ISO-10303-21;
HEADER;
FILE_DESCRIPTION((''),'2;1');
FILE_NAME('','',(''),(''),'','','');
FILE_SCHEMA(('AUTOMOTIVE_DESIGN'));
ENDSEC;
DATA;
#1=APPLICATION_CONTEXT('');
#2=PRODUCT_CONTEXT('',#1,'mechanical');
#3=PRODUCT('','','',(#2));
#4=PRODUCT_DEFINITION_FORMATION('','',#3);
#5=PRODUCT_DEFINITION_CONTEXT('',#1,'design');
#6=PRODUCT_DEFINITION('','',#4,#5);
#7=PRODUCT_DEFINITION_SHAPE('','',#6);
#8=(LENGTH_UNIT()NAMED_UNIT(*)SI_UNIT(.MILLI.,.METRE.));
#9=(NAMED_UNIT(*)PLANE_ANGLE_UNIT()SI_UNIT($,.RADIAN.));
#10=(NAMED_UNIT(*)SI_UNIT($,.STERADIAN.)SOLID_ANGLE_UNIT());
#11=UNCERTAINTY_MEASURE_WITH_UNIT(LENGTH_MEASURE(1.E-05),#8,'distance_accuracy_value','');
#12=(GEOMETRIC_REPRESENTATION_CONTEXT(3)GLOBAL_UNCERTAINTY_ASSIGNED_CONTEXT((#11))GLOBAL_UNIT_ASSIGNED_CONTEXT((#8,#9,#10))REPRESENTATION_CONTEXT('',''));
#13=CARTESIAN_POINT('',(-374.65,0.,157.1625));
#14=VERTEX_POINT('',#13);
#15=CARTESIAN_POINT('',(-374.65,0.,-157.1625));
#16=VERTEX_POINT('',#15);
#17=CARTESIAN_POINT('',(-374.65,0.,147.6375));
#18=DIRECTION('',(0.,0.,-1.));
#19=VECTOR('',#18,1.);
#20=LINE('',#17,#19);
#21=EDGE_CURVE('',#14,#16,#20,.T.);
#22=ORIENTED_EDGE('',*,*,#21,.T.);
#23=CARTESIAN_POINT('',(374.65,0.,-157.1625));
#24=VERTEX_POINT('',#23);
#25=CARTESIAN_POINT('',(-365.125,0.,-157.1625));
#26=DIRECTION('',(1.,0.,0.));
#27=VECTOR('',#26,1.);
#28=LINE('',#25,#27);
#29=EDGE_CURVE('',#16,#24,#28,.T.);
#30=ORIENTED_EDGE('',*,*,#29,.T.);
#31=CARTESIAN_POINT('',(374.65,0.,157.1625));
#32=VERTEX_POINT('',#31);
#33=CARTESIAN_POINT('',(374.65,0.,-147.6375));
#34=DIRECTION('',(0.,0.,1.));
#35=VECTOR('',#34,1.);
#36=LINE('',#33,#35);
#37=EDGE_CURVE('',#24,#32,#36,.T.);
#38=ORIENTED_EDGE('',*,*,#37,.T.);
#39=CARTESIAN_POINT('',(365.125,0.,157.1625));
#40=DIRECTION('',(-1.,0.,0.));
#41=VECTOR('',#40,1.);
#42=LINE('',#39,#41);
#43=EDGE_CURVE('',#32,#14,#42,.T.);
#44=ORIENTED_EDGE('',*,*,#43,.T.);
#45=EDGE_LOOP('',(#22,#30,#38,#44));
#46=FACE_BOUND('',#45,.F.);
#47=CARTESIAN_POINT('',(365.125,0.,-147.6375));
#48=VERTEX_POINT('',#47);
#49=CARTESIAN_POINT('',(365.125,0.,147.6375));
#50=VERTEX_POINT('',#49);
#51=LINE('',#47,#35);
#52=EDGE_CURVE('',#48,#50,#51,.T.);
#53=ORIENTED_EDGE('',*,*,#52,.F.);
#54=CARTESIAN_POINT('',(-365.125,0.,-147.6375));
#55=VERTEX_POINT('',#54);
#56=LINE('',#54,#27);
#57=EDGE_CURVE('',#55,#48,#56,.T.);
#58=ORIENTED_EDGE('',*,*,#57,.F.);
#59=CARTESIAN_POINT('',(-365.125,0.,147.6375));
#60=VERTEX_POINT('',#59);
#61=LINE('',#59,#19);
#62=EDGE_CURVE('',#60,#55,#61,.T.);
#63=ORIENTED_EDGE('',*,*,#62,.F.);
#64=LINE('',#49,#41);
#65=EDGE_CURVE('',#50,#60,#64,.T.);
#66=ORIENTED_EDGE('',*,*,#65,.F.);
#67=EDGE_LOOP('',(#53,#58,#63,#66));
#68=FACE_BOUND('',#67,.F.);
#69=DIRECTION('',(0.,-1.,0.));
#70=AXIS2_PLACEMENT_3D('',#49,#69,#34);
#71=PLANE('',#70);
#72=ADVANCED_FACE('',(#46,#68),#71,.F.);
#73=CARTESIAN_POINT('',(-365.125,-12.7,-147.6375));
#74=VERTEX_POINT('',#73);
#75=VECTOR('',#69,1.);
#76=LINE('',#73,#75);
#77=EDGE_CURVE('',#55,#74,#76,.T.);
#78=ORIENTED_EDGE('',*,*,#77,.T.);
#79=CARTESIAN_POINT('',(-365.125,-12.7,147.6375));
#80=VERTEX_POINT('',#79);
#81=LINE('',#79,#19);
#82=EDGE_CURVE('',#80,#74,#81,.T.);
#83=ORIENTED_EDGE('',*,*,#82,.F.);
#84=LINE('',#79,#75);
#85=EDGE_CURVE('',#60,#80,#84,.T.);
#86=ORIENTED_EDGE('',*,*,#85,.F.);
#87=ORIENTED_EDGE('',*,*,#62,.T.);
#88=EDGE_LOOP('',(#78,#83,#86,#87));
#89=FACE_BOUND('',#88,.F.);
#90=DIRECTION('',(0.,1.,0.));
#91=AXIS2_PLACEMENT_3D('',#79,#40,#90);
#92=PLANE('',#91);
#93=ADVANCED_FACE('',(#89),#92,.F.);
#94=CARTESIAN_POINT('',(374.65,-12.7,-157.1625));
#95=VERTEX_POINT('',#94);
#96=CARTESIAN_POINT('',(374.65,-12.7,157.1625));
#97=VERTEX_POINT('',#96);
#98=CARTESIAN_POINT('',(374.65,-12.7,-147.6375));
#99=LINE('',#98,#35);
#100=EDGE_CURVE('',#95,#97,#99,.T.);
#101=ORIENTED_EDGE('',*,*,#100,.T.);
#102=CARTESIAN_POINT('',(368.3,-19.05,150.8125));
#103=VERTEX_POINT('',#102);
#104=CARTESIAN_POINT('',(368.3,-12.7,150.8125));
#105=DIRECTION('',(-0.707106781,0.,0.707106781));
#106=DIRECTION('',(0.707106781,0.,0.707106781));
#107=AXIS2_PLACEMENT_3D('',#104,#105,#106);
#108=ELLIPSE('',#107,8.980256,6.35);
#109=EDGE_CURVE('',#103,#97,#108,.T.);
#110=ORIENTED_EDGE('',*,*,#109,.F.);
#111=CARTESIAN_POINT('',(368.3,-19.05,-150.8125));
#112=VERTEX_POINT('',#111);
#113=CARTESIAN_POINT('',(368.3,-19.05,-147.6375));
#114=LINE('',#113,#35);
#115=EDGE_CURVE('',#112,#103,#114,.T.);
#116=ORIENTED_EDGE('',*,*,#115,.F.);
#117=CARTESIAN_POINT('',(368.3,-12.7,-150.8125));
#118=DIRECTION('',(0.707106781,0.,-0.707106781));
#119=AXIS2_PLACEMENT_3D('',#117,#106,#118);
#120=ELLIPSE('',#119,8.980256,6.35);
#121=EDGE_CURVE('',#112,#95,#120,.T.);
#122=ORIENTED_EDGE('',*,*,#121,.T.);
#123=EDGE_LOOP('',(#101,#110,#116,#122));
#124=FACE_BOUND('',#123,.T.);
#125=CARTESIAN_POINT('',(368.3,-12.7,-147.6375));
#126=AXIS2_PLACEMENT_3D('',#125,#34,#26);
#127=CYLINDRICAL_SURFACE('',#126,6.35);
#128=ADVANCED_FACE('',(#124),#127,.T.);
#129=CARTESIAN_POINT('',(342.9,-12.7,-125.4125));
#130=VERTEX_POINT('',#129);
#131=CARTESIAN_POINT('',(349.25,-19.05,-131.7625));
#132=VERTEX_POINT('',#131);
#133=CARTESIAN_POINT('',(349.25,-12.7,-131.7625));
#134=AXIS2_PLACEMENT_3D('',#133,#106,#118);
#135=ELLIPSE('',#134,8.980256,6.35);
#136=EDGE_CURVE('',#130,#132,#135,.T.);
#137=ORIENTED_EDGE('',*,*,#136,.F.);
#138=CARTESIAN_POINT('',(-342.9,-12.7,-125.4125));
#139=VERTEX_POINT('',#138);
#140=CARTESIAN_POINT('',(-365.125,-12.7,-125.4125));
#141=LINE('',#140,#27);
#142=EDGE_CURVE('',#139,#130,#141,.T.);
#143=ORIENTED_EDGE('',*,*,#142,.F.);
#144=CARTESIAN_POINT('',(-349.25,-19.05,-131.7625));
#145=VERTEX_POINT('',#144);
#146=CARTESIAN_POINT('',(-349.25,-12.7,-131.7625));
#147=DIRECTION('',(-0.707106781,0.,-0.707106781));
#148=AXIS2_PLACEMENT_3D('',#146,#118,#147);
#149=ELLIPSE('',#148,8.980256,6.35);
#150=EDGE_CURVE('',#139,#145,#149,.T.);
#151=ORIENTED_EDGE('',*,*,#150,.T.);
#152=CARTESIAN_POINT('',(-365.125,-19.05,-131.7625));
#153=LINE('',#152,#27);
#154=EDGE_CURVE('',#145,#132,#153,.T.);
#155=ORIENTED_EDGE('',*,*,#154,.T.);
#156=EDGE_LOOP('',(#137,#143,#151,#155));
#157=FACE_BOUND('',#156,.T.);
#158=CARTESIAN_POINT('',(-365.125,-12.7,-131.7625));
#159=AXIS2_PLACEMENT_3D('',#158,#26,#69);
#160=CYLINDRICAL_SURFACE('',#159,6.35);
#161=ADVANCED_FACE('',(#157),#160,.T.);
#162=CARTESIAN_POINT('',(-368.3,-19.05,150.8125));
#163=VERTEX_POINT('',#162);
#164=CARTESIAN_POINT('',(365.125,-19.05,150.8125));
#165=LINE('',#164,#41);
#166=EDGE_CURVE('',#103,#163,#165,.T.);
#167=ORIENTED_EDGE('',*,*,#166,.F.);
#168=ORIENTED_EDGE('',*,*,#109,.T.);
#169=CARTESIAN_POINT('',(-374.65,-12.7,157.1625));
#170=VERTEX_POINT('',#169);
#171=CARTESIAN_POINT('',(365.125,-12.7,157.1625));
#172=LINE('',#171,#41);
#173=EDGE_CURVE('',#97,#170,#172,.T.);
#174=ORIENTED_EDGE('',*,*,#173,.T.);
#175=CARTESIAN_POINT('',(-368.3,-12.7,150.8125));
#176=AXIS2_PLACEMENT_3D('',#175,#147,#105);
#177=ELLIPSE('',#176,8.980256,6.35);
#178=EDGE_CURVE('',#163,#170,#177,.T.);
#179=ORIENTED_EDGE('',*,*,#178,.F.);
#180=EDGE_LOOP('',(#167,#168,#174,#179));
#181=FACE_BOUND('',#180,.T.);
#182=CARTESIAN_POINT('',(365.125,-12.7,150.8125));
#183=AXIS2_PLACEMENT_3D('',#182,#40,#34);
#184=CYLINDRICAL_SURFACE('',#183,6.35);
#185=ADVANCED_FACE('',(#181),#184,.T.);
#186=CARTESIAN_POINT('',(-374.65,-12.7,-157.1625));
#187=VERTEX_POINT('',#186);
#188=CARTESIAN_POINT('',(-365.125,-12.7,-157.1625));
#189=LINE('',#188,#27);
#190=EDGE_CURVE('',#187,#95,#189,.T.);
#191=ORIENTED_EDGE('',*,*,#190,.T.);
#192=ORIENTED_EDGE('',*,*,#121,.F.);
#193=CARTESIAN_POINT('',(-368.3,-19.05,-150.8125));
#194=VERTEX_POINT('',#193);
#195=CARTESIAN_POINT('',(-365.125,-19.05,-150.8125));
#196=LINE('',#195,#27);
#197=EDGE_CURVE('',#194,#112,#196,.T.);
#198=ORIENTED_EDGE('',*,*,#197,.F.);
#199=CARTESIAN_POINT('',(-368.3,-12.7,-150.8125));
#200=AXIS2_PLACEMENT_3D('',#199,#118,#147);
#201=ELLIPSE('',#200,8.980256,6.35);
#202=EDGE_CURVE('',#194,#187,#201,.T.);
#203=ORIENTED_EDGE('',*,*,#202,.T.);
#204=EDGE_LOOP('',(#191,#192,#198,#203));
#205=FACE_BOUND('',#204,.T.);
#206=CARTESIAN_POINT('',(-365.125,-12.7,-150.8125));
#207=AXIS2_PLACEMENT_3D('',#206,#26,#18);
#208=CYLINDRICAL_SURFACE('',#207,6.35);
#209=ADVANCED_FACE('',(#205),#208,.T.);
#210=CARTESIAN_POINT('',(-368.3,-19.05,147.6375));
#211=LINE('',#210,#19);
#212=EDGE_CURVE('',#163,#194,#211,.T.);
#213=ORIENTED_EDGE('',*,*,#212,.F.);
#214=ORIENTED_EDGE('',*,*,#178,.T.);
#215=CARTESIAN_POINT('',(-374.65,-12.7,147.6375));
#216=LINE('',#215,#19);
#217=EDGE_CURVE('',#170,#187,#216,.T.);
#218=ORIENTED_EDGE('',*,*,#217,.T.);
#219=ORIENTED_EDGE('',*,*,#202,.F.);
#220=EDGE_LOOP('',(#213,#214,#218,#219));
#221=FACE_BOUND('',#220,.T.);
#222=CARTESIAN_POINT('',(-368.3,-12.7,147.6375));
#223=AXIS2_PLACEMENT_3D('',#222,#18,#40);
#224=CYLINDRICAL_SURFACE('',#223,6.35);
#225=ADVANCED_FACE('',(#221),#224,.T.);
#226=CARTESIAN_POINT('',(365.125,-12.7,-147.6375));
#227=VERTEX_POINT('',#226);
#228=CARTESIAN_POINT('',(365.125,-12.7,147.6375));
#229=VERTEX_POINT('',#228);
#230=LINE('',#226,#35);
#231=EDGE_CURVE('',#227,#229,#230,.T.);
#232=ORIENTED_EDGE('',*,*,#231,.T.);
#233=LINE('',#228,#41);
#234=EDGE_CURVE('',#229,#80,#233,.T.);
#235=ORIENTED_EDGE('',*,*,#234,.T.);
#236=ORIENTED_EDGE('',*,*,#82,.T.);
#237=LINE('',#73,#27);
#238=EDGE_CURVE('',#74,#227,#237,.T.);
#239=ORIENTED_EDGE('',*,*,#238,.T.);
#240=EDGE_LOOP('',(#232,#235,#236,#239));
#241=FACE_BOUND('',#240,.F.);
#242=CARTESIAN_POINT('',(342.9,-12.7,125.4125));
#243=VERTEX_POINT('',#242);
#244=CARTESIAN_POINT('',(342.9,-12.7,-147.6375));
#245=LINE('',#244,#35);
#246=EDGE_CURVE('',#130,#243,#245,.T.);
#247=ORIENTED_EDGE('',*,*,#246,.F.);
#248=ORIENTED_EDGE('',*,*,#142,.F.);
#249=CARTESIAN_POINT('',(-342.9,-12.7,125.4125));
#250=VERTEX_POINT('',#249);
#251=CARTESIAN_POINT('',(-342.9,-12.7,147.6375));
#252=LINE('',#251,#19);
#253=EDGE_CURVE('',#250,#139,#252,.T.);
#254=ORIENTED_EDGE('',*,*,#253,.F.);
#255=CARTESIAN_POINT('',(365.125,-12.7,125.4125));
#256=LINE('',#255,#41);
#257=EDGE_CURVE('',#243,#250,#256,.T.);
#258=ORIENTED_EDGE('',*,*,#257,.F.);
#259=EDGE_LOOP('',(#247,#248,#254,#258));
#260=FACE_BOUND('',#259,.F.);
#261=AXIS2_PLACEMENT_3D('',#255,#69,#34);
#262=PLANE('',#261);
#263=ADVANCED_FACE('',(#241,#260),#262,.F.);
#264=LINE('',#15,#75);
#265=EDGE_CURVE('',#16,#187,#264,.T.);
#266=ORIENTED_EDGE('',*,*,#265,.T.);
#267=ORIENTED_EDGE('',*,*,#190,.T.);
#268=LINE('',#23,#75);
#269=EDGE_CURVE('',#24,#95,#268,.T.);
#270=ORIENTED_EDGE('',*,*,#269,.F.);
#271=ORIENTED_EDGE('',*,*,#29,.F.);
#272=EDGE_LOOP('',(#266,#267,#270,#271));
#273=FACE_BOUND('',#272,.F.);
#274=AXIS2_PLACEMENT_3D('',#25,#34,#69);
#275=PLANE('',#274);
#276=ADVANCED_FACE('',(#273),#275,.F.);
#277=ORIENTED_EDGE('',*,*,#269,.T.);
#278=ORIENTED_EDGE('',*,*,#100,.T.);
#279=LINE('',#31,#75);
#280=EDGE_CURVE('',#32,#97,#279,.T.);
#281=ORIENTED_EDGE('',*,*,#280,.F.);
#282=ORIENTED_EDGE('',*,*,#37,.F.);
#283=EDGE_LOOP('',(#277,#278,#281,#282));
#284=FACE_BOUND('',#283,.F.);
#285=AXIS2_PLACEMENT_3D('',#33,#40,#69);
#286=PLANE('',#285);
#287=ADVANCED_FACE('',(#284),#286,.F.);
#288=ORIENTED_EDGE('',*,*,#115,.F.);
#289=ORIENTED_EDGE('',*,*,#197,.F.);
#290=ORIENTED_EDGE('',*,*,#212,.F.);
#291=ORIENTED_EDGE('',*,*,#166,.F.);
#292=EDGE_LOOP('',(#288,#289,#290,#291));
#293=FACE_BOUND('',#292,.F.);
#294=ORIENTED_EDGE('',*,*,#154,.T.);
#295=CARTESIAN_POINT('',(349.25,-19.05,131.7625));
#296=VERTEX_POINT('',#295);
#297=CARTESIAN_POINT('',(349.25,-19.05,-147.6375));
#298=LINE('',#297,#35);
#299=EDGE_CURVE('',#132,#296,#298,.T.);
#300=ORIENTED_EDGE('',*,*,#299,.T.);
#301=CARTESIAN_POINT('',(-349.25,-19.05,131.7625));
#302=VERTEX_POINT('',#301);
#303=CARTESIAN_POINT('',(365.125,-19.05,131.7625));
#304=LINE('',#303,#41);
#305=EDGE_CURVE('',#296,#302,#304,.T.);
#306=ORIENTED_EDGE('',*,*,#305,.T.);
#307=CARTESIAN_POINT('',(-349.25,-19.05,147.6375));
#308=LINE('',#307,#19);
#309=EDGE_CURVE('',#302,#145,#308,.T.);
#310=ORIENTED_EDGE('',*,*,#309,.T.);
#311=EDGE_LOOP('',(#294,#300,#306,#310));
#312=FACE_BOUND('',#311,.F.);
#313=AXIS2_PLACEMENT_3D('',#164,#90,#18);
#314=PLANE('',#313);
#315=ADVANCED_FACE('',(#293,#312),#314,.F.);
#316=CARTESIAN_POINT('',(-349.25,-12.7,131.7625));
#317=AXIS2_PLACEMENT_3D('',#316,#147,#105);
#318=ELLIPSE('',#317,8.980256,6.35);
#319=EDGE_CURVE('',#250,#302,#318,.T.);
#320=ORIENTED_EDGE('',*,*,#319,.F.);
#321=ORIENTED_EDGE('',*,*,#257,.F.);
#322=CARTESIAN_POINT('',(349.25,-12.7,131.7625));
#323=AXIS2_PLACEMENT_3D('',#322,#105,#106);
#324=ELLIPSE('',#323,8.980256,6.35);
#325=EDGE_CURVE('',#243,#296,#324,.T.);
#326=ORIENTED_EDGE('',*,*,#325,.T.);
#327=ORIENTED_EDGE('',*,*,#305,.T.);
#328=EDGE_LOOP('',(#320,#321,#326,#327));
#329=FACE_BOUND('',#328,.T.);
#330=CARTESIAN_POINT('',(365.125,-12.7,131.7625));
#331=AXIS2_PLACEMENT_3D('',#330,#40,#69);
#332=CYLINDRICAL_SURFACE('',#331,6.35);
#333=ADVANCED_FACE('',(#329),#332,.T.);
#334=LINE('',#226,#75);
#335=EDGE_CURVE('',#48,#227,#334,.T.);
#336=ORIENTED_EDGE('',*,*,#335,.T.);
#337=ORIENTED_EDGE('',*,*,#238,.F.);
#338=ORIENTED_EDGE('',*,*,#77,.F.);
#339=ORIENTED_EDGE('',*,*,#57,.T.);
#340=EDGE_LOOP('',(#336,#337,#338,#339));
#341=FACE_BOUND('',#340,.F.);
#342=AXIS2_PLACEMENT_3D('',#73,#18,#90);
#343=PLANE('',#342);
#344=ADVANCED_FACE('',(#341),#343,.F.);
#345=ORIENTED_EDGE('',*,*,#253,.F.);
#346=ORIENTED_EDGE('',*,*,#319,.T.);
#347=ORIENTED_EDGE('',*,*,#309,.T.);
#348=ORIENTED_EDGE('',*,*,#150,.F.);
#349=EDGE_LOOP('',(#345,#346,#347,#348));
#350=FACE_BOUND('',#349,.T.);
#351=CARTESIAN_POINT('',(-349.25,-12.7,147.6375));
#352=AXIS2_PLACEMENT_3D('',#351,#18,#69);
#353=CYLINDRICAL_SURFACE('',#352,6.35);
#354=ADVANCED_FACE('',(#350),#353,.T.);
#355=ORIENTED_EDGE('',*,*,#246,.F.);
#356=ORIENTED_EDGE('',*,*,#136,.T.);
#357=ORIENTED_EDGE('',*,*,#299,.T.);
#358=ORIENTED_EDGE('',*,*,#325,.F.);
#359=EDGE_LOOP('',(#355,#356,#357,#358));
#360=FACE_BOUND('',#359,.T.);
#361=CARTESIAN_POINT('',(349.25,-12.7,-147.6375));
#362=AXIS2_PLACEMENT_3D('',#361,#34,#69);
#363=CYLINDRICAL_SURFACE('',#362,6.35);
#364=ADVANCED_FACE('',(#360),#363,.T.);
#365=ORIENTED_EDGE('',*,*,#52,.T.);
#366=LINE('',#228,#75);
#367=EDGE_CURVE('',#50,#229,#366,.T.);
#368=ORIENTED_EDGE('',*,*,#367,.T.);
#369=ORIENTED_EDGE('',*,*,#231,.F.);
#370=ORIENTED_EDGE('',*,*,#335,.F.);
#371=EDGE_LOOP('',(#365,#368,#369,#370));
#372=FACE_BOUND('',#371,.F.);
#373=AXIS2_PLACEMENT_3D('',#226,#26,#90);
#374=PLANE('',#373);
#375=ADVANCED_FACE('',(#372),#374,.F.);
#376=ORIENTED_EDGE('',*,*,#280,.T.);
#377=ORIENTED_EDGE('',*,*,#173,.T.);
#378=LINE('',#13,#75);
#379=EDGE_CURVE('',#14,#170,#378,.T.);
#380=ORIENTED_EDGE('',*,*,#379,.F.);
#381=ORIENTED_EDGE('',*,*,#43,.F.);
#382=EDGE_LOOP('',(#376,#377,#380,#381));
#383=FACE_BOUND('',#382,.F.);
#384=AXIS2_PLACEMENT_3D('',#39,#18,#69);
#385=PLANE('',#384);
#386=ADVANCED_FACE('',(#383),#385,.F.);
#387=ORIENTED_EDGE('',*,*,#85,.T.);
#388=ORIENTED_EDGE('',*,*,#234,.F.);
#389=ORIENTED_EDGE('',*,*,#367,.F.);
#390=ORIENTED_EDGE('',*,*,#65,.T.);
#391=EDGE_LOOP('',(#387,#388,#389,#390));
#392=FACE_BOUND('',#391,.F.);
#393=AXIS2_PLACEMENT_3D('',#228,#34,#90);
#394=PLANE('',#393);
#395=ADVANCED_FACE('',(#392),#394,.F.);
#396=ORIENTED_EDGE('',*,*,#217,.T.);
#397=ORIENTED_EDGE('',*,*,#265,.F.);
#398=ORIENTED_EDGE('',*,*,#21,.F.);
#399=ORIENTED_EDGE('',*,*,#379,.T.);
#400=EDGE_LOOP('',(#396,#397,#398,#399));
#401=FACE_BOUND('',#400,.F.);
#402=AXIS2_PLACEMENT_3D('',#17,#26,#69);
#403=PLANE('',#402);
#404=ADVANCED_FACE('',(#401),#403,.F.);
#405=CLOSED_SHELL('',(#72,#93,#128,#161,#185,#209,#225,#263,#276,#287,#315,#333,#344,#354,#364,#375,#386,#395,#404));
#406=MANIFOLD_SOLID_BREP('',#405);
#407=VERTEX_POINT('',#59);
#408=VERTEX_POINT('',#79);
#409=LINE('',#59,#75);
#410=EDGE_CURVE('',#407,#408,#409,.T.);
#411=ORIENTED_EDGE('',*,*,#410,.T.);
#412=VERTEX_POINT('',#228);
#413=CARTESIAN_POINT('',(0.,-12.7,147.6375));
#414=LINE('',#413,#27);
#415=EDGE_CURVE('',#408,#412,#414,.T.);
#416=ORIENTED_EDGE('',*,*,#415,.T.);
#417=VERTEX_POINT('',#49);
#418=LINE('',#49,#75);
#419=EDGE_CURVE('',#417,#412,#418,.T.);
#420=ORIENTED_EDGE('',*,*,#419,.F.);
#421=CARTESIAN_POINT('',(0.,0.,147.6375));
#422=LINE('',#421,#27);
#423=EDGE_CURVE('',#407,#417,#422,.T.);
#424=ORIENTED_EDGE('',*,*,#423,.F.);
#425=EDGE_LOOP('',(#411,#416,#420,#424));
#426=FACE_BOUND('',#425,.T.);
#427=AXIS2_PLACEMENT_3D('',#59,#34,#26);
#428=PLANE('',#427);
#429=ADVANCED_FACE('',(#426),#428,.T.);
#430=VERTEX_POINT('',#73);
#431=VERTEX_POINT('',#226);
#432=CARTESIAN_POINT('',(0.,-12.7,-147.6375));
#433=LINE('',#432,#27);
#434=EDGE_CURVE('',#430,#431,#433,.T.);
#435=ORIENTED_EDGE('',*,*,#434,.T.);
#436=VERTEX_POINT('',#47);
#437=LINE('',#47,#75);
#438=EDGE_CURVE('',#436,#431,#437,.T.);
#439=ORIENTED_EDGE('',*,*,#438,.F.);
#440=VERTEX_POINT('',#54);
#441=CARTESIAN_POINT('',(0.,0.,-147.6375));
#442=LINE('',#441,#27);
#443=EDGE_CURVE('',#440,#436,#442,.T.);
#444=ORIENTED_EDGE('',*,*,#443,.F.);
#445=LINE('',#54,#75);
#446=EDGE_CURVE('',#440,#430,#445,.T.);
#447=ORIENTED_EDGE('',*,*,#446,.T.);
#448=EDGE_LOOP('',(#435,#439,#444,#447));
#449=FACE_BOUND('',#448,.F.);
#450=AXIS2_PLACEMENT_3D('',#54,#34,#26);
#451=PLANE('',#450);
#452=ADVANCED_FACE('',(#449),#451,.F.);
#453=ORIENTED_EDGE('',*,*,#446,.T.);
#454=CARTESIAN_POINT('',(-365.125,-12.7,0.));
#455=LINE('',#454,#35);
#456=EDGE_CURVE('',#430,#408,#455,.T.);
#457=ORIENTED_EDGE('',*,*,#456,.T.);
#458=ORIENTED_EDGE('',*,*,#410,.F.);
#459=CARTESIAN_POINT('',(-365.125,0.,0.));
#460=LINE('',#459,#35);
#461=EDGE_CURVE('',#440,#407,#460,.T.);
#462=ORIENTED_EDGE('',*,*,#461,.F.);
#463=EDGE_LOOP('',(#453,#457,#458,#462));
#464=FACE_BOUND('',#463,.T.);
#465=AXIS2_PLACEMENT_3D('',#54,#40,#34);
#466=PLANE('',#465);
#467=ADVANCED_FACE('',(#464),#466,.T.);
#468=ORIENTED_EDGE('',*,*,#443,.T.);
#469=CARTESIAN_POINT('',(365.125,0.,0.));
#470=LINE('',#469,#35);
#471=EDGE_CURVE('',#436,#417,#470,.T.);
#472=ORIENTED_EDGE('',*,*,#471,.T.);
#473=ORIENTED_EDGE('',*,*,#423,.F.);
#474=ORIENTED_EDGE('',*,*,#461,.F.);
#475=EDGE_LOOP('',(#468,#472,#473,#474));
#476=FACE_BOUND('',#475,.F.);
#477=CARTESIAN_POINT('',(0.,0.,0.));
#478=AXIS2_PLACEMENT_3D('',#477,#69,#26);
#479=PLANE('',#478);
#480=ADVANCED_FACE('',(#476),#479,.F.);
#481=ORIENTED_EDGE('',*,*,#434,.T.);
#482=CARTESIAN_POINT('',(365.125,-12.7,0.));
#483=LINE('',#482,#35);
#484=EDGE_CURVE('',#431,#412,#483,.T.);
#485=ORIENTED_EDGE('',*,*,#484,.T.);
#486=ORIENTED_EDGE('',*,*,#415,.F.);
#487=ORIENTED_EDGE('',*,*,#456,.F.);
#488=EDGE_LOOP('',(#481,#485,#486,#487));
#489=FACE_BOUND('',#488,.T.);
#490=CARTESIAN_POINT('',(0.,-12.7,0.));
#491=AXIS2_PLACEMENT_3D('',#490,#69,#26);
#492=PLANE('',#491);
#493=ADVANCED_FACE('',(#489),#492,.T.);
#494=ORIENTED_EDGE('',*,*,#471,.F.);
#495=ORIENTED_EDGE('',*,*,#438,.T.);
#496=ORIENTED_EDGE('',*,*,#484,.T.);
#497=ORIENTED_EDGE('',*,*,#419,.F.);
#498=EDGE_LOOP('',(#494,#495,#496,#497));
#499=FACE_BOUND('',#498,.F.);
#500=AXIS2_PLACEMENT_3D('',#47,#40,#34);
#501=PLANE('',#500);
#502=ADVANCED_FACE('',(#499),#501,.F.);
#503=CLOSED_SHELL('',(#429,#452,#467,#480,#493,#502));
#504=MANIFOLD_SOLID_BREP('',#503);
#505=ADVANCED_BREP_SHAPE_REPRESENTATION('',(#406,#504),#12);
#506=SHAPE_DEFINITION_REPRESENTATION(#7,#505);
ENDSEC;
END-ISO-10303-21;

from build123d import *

# Parameters (mm, degrees)
F0_W     = 730.25
F0_H     = 295.275
F1_DEPTH = 12.7


with BuildPart() as f1:
    # F0 (on Front) → F1 (new body)
    with BuildSketch(Plane.XZ):
        Rectangle(F0_W, F0_H)
    extrude(amount=F1_DEPTH)


with BuildPart() as f3:
    # F3: sweep along a path in F3_path
    with BuildLine(Plane(origin=(365.125, -12.7, 147.6375), x_dir=(0, 0, -1), z_dir=(0, 1, 0))) as f3_path:
        Line((0, 0), (0, 730.25))
        Line((0, 730.25), (295.275, 730.25))
        Line((295.275, 730.25), (295.275, 0))
        Line((295.275, 0), (0, 0))
    # F2 (on face) → F3 (sweep)
    with BuildSketch(Plane.YZ.offset(365.125)):
        with BuildLine():
            Line((-12.7, 147.6375), (0, 147.6375))
            Line((0, 147.6375), (0, 157.1625))
            Line((0, 157.1625), (-12.7, 157.1625))
            ThreePointArc((-12.7, 157.1625), (-17.1901280605, 155.3026280605), (-19.05, 150.8125))
            Line((-19.05, 150.8125), (-19.05, 131.7625))
            ThreePointArc((-19.05, 131.7625), (-17.1901280605, 127.2723719395), (-12.7, 125.4125))
            Line((-12.7, 125.4125), (-12.7, 147.6375))
        make_face()
    sweep(path=f3_path.line, transition=Transition.RIGHT)


solid = Compound([f1.part, f3.part])
